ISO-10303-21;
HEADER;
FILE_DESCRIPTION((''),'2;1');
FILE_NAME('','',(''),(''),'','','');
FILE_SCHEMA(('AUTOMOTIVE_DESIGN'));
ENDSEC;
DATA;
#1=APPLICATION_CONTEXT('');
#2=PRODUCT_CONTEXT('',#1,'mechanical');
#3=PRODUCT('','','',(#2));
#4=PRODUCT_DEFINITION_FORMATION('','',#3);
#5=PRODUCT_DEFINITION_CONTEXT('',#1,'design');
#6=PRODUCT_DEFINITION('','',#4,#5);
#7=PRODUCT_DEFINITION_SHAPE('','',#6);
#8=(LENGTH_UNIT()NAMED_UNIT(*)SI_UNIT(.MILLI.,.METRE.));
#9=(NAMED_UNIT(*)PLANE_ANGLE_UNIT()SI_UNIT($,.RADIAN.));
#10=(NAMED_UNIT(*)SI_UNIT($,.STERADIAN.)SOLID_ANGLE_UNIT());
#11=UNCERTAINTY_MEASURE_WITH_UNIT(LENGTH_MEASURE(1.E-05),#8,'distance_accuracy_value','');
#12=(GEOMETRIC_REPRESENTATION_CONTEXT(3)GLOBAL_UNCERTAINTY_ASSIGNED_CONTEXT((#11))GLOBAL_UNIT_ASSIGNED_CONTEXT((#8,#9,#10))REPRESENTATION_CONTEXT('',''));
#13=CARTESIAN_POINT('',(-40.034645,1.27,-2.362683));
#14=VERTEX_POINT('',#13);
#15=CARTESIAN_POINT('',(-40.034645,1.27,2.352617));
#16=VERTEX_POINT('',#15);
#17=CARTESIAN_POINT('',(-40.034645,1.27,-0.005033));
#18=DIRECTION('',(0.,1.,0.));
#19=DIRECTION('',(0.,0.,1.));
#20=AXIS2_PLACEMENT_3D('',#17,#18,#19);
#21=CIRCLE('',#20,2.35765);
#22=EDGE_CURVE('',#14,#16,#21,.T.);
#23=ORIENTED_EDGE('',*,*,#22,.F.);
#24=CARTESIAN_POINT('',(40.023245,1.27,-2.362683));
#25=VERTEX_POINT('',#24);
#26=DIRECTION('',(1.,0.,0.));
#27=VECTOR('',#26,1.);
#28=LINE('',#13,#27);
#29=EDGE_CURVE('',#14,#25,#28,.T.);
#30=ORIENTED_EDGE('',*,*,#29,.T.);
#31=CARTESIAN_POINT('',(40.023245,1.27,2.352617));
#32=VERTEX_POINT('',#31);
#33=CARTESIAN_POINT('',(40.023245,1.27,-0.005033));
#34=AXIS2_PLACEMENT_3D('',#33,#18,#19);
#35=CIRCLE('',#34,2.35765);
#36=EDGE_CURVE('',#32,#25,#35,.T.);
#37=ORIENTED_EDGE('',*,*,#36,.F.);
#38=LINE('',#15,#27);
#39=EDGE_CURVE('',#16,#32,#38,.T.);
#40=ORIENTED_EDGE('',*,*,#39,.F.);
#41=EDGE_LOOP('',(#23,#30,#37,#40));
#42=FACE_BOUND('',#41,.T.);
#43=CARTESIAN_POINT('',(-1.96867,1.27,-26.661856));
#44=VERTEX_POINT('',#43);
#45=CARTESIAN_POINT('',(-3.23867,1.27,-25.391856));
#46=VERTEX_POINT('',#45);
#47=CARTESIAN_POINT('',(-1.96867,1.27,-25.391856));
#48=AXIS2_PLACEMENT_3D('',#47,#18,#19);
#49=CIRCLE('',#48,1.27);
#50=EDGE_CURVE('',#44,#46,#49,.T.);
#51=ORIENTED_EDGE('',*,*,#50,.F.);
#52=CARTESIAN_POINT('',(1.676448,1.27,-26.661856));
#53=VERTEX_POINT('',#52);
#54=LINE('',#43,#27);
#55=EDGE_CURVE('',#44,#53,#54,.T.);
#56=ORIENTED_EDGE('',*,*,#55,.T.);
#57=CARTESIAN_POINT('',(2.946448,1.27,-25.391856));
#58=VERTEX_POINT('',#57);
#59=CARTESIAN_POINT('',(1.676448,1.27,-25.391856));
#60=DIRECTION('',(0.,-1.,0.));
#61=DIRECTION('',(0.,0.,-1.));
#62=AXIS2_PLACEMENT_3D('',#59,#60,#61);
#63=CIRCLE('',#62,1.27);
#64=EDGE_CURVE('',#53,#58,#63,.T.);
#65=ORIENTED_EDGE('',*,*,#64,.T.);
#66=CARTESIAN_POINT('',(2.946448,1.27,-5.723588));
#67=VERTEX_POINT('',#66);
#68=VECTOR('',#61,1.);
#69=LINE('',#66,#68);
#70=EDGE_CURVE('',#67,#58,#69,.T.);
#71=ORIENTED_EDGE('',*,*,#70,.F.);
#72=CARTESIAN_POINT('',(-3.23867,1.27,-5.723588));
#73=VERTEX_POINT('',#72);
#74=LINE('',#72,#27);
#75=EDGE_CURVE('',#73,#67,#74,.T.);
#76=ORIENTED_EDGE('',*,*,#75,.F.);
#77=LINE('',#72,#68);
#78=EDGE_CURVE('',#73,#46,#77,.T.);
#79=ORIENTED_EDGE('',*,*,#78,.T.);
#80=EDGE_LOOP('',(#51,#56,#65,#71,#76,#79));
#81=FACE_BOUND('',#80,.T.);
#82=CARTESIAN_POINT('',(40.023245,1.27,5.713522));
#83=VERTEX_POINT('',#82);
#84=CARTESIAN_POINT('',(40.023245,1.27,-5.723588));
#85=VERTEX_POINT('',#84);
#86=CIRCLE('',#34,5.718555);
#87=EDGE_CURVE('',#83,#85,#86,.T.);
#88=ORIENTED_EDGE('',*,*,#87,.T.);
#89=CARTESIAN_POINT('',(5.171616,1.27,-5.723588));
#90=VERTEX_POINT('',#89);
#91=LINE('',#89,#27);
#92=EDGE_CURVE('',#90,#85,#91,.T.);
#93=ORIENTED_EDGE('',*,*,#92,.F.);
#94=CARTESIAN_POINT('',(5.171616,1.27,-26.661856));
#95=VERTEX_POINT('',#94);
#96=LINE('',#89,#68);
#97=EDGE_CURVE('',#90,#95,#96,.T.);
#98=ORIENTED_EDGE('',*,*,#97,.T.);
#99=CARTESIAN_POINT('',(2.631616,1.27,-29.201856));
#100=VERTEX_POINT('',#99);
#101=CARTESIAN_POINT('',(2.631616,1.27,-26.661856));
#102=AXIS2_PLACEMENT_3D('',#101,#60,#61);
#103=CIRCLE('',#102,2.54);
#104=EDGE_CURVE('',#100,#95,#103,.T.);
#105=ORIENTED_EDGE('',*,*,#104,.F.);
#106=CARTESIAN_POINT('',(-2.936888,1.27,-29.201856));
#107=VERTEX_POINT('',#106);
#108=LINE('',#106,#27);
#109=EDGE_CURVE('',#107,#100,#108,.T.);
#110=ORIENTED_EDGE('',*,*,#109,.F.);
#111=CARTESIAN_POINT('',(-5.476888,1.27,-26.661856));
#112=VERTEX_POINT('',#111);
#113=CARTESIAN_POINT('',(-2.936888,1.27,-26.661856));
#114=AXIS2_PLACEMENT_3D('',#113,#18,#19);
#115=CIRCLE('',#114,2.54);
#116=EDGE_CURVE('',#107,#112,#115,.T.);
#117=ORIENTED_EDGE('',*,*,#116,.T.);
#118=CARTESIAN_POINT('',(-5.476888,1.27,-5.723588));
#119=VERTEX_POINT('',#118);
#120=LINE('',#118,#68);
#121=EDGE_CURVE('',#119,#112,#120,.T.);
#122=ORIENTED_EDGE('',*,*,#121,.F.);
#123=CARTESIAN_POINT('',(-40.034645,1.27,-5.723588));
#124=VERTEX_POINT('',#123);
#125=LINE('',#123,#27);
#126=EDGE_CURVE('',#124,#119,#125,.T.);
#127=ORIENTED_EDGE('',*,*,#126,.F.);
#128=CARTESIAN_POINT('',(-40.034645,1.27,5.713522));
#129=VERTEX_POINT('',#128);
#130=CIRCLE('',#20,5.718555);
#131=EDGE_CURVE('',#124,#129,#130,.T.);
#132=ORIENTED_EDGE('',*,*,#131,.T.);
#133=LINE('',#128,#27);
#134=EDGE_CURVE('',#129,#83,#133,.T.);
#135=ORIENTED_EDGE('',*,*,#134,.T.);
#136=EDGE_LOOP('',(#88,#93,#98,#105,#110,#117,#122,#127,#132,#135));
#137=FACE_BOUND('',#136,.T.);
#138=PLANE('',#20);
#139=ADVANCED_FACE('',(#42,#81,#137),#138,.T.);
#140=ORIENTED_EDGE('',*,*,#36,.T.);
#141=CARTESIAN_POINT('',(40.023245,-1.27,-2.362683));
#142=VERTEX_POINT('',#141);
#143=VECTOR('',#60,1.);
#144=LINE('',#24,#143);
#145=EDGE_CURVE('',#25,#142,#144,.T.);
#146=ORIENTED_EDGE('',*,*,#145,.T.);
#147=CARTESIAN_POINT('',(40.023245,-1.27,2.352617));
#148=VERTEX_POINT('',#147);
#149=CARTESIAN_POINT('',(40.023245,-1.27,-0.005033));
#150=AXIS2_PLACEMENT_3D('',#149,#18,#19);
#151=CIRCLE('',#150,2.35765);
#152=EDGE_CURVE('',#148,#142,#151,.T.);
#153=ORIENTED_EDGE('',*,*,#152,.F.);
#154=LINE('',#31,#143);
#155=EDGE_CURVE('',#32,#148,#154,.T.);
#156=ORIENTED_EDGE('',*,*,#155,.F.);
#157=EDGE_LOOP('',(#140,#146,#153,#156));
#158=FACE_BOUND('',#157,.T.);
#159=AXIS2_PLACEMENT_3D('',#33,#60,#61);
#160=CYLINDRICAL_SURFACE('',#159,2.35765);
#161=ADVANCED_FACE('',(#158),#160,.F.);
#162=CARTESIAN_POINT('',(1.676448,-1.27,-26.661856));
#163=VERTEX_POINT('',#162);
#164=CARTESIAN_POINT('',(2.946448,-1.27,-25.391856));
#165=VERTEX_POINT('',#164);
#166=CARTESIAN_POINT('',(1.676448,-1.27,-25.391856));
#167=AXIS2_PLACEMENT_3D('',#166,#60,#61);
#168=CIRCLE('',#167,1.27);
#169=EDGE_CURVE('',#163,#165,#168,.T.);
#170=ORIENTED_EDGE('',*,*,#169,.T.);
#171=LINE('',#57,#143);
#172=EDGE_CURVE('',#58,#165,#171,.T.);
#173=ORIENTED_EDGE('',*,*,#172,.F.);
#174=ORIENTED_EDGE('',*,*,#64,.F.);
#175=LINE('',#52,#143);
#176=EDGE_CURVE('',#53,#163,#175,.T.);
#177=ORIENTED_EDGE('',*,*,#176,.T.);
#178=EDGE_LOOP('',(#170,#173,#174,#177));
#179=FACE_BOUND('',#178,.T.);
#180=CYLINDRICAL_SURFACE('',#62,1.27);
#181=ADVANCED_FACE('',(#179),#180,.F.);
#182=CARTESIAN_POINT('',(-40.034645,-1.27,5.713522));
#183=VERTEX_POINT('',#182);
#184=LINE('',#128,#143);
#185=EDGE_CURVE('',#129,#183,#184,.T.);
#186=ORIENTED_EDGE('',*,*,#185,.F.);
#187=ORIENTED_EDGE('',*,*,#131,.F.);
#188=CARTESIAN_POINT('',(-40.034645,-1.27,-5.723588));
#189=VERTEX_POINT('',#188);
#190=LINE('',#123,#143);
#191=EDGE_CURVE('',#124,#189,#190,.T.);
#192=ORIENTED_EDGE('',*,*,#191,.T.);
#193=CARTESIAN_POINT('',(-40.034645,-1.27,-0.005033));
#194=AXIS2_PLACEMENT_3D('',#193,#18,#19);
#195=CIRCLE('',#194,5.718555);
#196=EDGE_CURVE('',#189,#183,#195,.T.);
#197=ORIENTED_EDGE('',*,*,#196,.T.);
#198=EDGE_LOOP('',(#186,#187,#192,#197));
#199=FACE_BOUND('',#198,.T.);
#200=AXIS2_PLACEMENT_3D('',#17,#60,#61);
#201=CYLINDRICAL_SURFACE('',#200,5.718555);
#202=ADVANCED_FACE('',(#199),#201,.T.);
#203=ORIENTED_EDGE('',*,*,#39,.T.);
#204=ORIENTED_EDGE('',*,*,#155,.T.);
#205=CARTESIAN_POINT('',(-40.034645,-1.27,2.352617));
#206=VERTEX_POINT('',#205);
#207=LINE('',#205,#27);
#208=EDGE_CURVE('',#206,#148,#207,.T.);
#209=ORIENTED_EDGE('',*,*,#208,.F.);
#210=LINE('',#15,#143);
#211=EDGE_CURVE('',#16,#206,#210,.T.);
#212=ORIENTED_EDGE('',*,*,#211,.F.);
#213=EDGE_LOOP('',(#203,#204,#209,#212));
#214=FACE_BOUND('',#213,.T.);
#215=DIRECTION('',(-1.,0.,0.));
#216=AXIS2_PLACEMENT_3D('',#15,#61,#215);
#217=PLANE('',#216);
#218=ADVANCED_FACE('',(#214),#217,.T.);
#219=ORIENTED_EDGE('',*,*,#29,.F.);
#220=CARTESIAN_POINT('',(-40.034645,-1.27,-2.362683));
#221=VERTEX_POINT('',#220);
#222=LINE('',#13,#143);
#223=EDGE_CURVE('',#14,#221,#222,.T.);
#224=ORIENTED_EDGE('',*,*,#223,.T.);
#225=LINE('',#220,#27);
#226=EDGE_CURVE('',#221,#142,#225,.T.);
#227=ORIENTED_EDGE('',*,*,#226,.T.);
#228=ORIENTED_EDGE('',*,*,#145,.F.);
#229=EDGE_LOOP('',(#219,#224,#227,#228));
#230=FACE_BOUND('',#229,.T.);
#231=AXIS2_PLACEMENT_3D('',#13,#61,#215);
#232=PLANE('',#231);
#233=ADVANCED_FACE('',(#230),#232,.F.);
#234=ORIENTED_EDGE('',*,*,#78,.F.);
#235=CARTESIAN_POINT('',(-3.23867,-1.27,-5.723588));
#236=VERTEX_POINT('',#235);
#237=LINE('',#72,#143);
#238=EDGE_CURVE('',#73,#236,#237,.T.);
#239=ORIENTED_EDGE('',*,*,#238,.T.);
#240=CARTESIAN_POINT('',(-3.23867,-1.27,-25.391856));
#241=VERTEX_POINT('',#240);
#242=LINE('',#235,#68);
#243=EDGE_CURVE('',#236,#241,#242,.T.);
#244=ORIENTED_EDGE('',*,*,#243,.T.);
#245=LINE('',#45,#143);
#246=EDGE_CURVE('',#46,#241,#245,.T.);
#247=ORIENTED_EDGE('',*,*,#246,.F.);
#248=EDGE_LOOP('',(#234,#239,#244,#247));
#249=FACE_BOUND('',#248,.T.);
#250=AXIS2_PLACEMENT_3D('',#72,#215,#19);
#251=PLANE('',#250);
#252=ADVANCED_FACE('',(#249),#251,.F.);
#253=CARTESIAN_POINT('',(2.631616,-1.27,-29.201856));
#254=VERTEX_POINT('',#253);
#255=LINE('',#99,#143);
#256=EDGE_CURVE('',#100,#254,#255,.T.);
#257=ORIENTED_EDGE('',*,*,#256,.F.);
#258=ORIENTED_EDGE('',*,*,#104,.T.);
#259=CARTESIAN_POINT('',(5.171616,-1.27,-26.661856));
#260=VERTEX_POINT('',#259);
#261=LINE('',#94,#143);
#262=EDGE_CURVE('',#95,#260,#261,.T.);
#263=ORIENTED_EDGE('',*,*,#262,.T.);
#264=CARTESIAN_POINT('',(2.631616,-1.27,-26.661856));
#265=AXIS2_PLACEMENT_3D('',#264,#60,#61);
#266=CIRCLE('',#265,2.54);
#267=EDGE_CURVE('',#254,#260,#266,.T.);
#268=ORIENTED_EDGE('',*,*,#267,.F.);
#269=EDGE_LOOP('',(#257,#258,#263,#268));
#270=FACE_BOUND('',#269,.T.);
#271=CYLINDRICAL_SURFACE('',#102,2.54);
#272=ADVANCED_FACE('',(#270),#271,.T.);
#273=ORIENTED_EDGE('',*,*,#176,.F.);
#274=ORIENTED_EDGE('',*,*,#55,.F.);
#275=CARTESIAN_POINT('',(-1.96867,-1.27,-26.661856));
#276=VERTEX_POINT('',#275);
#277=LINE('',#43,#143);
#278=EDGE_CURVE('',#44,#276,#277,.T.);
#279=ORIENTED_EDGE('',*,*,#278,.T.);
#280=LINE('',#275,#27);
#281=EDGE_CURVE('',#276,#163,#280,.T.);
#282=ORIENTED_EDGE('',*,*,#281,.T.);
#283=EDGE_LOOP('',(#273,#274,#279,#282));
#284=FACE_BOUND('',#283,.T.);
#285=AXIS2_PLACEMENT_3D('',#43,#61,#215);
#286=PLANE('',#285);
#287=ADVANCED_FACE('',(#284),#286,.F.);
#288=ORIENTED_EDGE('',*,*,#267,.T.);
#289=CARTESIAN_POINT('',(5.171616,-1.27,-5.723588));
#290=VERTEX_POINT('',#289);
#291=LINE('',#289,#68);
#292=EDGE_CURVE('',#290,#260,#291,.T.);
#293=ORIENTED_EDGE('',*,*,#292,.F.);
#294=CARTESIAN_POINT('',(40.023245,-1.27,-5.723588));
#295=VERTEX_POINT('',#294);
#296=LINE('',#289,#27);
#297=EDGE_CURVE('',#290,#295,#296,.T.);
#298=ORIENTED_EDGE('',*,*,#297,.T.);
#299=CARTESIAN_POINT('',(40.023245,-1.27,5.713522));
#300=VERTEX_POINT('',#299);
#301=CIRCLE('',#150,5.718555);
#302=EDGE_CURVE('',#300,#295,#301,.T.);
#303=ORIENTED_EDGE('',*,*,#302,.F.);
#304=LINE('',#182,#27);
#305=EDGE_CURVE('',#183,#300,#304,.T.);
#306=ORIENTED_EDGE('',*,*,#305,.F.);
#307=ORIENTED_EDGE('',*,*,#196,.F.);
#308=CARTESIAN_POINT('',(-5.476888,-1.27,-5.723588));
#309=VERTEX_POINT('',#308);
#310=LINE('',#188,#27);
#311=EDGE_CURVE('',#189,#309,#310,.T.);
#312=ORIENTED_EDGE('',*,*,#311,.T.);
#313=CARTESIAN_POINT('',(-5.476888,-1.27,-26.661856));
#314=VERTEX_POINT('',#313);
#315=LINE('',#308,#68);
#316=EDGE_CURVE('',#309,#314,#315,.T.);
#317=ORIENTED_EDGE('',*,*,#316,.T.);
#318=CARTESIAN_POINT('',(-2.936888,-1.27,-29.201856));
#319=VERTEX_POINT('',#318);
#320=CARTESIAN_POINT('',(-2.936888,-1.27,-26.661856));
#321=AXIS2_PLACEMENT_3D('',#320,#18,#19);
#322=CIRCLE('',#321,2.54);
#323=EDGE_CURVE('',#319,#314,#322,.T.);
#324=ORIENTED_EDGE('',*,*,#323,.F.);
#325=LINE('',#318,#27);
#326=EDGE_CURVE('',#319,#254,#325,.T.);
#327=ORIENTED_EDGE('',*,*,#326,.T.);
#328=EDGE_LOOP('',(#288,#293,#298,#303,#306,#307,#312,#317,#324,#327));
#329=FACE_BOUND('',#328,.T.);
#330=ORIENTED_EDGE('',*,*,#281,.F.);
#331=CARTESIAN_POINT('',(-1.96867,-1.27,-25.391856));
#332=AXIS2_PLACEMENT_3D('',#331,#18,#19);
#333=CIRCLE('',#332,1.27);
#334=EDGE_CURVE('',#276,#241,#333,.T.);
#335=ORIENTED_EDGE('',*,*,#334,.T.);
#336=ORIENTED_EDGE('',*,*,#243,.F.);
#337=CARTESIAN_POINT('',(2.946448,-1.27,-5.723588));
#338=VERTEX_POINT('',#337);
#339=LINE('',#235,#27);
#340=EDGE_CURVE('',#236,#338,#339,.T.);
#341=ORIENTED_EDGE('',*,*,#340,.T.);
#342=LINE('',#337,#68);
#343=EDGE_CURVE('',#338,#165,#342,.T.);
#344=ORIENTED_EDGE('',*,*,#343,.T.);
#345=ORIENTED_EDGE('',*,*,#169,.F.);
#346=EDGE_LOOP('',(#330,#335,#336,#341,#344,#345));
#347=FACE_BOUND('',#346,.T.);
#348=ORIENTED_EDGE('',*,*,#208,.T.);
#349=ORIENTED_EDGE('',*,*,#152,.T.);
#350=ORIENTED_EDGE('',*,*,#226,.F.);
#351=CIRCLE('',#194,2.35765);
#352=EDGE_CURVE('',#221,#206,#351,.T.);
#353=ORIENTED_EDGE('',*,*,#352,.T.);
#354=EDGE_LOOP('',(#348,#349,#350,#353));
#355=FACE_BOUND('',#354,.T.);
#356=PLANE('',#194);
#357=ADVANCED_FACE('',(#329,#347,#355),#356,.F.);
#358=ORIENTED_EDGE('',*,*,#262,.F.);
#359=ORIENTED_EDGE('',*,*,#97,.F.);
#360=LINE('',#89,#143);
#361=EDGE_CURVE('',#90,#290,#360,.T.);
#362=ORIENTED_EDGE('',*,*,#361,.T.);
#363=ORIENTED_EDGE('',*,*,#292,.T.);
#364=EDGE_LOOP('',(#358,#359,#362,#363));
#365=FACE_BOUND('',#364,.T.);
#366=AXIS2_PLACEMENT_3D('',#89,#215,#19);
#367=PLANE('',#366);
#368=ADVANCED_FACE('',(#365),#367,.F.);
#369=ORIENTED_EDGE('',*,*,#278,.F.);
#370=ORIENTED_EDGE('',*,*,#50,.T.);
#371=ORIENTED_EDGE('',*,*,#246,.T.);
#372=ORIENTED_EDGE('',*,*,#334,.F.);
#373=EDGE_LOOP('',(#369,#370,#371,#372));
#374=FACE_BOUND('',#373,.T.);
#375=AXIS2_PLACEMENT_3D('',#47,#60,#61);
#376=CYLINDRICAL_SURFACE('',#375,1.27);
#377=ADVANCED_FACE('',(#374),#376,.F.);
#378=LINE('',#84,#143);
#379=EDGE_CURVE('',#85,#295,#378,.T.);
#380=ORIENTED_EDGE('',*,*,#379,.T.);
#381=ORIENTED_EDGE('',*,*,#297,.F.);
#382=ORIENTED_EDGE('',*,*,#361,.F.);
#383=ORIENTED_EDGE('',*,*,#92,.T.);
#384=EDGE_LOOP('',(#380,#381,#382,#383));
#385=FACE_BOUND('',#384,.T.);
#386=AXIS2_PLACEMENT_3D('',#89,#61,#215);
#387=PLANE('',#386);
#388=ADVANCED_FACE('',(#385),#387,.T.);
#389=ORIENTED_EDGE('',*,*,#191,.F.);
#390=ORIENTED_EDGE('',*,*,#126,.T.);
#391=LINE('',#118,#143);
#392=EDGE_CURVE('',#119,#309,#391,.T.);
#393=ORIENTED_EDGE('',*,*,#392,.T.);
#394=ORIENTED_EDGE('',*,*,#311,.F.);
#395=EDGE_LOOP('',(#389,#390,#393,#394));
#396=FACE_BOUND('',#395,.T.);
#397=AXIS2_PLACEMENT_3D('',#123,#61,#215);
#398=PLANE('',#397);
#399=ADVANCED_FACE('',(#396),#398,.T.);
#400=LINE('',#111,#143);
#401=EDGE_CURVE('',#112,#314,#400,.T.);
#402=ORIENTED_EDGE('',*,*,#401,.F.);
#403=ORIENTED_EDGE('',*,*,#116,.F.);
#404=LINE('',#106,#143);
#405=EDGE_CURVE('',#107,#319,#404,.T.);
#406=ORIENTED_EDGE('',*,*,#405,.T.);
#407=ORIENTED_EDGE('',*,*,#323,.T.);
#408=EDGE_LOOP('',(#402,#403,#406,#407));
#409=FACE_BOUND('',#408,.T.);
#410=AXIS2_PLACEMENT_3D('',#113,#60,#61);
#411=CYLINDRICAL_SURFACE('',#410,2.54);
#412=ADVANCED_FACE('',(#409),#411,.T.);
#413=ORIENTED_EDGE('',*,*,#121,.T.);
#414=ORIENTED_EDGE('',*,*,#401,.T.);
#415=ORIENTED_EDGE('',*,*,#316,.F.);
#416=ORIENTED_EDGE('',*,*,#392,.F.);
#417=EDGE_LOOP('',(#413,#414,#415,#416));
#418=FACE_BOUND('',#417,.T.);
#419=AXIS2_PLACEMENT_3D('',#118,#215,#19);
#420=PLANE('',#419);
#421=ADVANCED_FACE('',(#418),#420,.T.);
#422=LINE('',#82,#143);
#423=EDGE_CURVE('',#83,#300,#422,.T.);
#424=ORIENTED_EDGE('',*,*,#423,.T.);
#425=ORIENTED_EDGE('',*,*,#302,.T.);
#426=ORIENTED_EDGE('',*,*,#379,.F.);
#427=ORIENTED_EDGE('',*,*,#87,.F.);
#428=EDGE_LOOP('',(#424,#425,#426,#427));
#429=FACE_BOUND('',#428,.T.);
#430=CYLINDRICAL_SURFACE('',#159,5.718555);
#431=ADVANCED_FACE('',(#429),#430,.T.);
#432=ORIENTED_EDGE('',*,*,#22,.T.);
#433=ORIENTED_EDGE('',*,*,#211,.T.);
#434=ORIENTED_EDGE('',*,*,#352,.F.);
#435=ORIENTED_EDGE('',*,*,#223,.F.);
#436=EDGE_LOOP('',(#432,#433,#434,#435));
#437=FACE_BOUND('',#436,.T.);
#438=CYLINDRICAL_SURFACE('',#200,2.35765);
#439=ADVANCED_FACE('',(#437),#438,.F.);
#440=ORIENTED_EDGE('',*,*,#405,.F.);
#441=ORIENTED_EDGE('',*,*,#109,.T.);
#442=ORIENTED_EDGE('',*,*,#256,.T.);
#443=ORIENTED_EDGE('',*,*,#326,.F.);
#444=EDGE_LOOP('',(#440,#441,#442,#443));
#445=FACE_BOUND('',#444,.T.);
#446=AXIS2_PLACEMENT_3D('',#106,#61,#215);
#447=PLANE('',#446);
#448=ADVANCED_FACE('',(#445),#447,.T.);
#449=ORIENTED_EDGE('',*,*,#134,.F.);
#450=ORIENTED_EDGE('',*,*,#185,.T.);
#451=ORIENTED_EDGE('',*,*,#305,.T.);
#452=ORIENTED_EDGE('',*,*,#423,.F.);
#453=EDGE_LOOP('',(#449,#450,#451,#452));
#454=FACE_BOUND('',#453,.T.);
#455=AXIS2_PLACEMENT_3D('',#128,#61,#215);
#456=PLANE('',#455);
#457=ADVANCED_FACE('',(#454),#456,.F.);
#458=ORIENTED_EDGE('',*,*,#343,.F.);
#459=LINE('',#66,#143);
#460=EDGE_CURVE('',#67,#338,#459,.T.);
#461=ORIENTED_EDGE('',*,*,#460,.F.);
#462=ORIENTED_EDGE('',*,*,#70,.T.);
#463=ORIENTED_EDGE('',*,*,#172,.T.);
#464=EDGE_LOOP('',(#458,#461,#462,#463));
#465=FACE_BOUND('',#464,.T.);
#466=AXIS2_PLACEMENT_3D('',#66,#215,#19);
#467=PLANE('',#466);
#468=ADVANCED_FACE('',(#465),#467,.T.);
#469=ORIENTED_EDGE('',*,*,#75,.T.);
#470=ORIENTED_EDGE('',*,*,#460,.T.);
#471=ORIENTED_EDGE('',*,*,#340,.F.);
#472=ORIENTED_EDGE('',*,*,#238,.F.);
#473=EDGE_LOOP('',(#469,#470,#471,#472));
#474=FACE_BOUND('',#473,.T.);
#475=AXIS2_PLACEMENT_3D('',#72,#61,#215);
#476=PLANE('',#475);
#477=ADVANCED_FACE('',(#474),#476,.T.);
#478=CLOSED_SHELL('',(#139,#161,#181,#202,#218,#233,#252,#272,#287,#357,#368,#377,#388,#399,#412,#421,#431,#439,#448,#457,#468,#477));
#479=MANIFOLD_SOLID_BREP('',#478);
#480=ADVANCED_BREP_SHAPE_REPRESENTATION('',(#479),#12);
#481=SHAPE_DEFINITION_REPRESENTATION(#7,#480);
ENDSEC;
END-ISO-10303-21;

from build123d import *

# Parameters (mm, degrees)
BOSS_EXTRUDE10_DEPTH = 1.27


with BuildPart() as part:
    # Sketch1 → Boss-Extrude10 (new, symmetric)
    with BuildSketch(Plane(origin=(0, 0, 0), x_dir=(1, 0, 0), z_dir=(0, 1, 0))):
        with BuildLine():
            Line((-40.034645199, 5.723587865), (-5.476888276, 5.723587865))
            Line((-5.476888276, 5.723587865), (-5.476888276, 26.661855827))
            ThreePointArc((-5.476888276, 26.661855827), (-4.732939501, 28.457907051), (-2.936888276, 29.201855827))
            Line((-2.936888276, 29.201855827), (2.631615538, 29.201855827))
            ThreePointArc((2.631615538, 29.201855827), (4.427666762, 28.457907051), (5.171615538, 26.661855827))
            Line((5.171615538, 26.661855827), (5.171615538, 5.723587865))
            Line((5.171615538, 5.723587865), (40.023244529, 5.723587865))
            ThreePointArc((40.023244529, 5.723587865), (45.741799588, 0.005032806), (40.023244529, -5.713522253))
            Line((40.023244529, -5.713522253), (-40.034645199, -5.713522253))
            ThreePointArc((-40.034645199, -5.713522253), (-45.753200258, 0.005032806), (-40.034645199, 5.723587865))
        make_face()
        with BuildLine():
            Line((-40.034645199, 2.362682699), (40.023244529, 2.362682699))
            ThreePointArc((40.023244529, 2.362682699), (42.380894421, 0.005032806), (40.023244529, -2.352617087))
            Line((40.023244529, -2.352617087), (-40.034645199, -2.352617087))
            ThreePointArc((-40.034645199, -2.352617087), (-42.392295092, 0.005032806), (-40.034645199, 2.362682699))
        make_face(mode=Mode.SUBTRACT)
        with BuildLine():
            Line((-3.238670488, 5.723587865), (2.946447825, 5.723587865))
            Line((2.946447825, 5.723587865), (2.946447825, 25.391855827))
            ThreePointArc((2.946447825, 25.391855827), (2.574473437, 26.289881439), (1.676447825, 26.661855827))
            Line((1.676447825, 26.661855827), (-1.968670488, 26.661855827))
            ThreePointArc((-1.968670488, 26.661855827), (-2.8666961, 26.289881439), (-3.238670488, 25.391855827))
            Line((-3.238670488, 25.391855827), (-3.238670488, 5.723587865))
        make_face(mode=Mode.SUBTRACT)
    extrude(amount=BOSS_EXTRUDE10_DEPTH, both=True)


solid = part.part
